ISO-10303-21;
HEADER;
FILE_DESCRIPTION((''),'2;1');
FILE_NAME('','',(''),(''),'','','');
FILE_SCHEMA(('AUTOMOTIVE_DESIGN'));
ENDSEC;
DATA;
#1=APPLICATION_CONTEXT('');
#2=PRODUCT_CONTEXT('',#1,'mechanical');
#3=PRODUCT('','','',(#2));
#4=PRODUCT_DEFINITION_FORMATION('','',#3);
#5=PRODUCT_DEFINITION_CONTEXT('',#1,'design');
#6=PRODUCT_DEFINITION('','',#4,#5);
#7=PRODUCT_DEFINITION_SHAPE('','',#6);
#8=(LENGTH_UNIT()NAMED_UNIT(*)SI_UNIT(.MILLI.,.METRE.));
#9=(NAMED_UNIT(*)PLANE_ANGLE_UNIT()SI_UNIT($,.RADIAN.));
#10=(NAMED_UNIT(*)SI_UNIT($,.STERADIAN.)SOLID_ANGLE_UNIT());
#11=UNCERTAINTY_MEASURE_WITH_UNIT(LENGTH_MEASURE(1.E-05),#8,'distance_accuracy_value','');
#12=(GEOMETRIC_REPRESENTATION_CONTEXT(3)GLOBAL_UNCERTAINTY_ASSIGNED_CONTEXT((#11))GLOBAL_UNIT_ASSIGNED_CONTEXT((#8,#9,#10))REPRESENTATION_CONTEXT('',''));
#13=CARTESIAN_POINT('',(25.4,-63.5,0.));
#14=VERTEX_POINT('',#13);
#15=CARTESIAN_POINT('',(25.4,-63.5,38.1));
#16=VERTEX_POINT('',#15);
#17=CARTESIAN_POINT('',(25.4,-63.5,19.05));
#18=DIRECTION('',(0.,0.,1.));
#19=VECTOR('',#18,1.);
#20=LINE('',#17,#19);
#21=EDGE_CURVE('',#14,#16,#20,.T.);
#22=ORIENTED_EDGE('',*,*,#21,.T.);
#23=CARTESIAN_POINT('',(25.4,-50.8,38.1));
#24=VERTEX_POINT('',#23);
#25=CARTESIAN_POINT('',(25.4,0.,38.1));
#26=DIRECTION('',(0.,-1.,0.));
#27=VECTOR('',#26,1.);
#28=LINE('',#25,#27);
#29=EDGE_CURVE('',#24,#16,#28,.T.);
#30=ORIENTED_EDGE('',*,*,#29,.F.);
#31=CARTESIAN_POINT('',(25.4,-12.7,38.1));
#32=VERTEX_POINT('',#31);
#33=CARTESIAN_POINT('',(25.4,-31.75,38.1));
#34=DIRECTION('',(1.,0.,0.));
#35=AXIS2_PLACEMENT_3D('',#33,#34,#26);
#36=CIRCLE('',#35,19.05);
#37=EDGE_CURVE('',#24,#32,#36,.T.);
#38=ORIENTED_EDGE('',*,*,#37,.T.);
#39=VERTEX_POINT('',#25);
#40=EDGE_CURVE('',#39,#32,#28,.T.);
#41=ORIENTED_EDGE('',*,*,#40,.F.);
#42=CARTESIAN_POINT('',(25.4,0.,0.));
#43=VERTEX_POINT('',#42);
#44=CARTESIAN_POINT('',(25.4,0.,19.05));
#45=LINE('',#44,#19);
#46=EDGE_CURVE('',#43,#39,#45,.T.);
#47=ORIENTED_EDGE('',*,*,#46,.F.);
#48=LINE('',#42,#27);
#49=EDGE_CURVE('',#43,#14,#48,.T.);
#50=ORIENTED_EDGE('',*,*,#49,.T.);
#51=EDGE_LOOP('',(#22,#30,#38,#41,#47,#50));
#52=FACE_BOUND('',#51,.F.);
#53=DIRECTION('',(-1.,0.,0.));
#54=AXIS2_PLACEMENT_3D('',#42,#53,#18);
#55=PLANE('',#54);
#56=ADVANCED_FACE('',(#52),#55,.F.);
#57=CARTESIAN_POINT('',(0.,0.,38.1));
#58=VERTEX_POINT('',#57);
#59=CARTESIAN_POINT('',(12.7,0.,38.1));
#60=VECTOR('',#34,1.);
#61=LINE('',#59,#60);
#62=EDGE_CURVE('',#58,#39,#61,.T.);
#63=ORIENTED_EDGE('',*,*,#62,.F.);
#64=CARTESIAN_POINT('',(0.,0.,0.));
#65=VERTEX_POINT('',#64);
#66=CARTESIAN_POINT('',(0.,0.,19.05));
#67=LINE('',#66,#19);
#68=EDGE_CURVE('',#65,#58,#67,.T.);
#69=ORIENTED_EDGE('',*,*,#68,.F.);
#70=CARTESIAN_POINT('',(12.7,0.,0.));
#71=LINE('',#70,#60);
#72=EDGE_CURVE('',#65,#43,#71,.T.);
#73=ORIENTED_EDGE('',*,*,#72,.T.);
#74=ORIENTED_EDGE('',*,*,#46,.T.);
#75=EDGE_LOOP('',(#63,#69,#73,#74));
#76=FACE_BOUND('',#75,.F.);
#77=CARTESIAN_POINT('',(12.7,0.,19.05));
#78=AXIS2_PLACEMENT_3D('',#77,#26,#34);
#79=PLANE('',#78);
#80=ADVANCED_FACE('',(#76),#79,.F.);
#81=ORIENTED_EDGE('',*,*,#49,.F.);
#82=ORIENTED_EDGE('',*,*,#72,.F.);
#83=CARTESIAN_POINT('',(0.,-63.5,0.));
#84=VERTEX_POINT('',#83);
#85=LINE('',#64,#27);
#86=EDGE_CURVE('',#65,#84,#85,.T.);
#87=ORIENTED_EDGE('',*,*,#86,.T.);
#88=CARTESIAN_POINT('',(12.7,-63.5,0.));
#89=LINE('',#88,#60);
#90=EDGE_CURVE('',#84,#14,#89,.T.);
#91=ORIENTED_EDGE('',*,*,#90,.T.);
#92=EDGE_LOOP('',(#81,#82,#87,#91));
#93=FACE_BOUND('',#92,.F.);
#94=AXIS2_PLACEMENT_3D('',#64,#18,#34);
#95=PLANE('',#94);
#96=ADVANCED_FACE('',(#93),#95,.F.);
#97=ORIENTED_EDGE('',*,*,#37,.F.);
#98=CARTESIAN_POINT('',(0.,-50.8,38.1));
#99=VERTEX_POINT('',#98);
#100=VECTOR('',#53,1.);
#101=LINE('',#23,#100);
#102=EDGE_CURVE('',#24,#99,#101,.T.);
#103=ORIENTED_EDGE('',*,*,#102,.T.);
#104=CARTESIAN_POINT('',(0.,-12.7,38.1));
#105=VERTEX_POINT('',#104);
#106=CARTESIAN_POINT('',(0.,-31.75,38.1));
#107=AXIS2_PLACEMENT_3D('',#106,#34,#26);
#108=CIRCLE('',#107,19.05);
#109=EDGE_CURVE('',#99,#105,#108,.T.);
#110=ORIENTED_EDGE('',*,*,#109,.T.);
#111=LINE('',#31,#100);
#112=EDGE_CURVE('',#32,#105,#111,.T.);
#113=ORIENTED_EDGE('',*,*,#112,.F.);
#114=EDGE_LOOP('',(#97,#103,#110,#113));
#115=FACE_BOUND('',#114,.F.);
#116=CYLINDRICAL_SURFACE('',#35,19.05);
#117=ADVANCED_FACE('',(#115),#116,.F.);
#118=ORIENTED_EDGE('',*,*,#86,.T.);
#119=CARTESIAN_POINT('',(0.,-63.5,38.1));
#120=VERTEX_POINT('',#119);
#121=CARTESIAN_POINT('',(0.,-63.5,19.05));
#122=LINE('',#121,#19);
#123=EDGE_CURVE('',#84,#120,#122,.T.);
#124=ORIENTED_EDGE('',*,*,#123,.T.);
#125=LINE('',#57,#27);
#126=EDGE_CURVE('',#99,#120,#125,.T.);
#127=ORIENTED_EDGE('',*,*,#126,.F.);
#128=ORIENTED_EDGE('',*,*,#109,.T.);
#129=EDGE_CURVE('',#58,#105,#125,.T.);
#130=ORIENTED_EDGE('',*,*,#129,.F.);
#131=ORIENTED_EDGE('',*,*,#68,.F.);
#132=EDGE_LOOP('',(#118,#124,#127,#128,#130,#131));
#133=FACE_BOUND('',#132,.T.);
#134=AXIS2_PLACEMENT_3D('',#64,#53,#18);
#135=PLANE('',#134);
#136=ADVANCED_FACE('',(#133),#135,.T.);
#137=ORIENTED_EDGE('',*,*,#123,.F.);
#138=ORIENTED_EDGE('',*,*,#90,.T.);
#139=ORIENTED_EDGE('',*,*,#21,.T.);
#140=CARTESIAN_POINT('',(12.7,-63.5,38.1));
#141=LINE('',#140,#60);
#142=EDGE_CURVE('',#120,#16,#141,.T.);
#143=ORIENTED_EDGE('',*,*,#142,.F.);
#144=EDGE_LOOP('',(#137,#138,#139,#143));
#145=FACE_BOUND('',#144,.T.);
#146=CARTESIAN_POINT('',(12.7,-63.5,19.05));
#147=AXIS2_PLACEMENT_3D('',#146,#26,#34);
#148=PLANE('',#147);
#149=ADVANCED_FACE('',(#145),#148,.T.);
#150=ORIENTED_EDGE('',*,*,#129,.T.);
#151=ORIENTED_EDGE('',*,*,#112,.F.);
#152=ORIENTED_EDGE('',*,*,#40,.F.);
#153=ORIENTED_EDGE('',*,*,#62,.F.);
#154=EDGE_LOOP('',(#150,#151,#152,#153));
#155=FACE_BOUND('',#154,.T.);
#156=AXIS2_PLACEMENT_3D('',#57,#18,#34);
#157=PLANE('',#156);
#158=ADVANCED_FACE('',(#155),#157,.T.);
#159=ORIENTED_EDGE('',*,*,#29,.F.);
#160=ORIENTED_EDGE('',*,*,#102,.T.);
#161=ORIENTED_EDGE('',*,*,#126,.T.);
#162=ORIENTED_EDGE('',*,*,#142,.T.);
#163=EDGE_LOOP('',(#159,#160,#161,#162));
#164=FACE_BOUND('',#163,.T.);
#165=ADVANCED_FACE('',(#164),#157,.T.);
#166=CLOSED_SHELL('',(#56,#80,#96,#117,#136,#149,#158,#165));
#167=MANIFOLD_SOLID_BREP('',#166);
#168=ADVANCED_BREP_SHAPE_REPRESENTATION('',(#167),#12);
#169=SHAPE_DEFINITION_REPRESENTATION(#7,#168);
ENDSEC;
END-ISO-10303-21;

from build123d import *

# Parameters (mm, degrees)
F0_W     = 25.4
F0_H     = 38.1
F1_DEPTH = 63.5
F3_DEPTH = 25.4


with BuildPart() as f1:
    # F0 (on Front) → F1 (new body)
    with BuildSketch(Plane.XZ):
        with Locations((12.7, 19.05)):
            Rectangle(F0_W, F0_H)
    extrude(amount=F1_DEPTH)

    # F2 (on face) → F3 (cut)
    with BuildSketch(Plane.YZ.offset(25.4)):
        with BuildLine():
            ThreePointArc((-50.8, 38.1), (-31.75, 19.05), (-12.7, 38.1))
            Line((-12.7, 38.1), (-50.8, 38.1))
        make_face()
    extrude(amount=-F3_DEPTH, mode=Mode.SUBTRACT)


solid = f1.part
